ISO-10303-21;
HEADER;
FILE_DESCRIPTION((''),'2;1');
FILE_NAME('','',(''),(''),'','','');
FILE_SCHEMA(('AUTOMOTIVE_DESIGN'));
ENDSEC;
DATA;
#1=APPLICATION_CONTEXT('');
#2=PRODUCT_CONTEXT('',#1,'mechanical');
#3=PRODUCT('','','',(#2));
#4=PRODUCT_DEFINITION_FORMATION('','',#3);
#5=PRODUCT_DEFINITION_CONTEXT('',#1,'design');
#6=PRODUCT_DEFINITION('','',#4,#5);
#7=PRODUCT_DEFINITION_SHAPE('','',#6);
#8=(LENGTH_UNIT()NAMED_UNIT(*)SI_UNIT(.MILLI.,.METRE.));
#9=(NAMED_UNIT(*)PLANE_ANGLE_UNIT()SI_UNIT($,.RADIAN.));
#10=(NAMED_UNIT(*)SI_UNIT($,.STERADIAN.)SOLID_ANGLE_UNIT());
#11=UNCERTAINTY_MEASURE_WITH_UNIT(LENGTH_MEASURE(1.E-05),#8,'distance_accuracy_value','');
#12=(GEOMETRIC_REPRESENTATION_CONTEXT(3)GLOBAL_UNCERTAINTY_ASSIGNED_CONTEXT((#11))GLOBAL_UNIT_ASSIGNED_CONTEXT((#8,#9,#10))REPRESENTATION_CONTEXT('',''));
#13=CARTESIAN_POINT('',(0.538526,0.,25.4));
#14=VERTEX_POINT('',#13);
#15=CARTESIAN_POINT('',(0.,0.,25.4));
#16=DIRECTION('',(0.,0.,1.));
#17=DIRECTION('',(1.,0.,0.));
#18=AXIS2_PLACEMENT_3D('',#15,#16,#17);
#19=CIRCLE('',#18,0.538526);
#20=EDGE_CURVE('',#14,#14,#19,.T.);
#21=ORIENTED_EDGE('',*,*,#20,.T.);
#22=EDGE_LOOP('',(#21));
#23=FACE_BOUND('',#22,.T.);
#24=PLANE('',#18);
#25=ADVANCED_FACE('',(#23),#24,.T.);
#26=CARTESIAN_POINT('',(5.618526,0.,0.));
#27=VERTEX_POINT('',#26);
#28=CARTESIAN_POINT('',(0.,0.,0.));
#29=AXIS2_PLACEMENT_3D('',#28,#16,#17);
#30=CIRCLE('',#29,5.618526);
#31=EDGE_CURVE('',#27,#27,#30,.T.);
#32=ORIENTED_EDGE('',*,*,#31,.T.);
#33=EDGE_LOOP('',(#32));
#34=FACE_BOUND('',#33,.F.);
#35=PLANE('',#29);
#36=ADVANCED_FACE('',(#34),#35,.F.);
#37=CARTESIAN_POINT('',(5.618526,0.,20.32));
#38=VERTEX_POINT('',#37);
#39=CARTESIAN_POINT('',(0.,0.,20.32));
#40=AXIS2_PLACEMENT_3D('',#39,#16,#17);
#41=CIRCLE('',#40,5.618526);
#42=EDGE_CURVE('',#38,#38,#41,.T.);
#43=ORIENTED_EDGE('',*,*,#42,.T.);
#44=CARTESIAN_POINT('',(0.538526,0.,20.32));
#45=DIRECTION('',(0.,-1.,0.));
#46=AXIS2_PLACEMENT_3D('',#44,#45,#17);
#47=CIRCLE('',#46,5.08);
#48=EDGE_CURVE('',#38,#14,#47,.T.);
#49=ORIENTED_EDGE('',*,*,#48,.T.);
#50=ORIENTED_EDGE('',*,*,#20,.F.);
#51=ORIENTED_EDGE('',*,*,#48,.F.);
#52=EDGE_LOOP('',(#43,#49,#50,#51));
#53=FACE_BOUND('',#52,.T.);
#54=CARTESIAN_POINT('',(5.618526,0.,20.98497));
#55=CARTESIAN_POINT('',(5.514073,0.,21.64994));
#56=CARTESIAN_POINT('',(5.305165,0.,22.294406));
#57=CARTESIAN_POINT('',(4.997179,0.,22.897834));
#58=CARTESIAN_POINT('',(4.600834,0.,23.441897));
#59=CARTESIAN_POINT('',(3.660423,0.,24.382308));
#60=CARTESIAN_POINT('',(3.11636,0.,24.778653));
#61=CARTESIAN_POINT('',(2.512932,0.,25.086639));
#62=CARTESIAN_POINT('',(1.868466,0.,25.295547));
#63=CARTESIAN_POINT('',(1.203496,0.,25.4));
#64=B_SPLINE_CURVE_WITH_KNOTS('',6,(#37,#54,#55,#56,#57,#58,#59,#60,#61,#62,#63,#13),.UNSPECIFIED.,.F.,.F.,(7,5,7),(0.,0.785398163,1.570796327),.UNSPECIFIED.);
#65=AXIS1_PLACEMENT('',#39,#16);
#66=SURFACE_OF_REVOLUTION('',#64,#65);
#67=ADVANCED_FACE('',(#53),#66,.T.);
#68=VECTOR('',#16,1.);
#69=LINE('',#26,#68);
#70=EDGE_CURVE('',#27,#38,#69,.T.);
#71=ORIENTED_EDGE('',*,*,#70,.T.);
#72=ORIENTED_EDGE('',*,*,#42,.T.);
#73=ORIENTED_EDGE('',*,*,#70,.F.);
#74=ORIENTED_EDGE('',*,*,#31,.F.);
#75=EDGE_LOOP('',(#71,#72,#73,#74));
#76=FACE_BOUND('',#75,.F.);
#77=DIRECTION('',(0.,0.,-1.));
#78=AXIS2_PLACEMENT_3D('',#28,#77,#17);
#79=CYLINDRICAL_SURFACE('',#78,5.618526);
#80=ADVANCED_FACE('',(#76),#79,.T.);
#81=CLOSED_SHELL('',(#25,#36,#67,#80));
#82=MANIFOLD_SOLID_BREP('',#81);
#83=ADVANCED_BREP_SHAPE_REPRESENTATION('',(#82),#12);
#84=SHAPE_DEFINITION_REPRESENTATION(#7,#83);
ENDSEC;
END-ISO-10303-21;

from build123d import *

# Parameters (mm, degrees)
F0_R     = 5.618526
F1_DEPTH = 25.4
F2_R     = 5.08
F3_R     = 3.81
F4_DEPTH = 3


with BuildPart() as f1:
    # F0 (on Top) → F1 (new body)
    with BuildSketch(Plane.XY):
        Circle(F0_R)
    extrude(amount=F1_DEPTH)

    # F2
    f2_edges = [f1.edges().sort_by_distance(p)[0] for p in [
        (-5.618526, 0, 25.4),
    ]]
    fillet(f2_edges, radius=F2_R)

    # F3 (on Top) → F4 (join)
    with BuildSketch(Plane.XY):
        Circle(F3_R)
    extrude(amount=F4_DEPTH)


solid = f1.part
